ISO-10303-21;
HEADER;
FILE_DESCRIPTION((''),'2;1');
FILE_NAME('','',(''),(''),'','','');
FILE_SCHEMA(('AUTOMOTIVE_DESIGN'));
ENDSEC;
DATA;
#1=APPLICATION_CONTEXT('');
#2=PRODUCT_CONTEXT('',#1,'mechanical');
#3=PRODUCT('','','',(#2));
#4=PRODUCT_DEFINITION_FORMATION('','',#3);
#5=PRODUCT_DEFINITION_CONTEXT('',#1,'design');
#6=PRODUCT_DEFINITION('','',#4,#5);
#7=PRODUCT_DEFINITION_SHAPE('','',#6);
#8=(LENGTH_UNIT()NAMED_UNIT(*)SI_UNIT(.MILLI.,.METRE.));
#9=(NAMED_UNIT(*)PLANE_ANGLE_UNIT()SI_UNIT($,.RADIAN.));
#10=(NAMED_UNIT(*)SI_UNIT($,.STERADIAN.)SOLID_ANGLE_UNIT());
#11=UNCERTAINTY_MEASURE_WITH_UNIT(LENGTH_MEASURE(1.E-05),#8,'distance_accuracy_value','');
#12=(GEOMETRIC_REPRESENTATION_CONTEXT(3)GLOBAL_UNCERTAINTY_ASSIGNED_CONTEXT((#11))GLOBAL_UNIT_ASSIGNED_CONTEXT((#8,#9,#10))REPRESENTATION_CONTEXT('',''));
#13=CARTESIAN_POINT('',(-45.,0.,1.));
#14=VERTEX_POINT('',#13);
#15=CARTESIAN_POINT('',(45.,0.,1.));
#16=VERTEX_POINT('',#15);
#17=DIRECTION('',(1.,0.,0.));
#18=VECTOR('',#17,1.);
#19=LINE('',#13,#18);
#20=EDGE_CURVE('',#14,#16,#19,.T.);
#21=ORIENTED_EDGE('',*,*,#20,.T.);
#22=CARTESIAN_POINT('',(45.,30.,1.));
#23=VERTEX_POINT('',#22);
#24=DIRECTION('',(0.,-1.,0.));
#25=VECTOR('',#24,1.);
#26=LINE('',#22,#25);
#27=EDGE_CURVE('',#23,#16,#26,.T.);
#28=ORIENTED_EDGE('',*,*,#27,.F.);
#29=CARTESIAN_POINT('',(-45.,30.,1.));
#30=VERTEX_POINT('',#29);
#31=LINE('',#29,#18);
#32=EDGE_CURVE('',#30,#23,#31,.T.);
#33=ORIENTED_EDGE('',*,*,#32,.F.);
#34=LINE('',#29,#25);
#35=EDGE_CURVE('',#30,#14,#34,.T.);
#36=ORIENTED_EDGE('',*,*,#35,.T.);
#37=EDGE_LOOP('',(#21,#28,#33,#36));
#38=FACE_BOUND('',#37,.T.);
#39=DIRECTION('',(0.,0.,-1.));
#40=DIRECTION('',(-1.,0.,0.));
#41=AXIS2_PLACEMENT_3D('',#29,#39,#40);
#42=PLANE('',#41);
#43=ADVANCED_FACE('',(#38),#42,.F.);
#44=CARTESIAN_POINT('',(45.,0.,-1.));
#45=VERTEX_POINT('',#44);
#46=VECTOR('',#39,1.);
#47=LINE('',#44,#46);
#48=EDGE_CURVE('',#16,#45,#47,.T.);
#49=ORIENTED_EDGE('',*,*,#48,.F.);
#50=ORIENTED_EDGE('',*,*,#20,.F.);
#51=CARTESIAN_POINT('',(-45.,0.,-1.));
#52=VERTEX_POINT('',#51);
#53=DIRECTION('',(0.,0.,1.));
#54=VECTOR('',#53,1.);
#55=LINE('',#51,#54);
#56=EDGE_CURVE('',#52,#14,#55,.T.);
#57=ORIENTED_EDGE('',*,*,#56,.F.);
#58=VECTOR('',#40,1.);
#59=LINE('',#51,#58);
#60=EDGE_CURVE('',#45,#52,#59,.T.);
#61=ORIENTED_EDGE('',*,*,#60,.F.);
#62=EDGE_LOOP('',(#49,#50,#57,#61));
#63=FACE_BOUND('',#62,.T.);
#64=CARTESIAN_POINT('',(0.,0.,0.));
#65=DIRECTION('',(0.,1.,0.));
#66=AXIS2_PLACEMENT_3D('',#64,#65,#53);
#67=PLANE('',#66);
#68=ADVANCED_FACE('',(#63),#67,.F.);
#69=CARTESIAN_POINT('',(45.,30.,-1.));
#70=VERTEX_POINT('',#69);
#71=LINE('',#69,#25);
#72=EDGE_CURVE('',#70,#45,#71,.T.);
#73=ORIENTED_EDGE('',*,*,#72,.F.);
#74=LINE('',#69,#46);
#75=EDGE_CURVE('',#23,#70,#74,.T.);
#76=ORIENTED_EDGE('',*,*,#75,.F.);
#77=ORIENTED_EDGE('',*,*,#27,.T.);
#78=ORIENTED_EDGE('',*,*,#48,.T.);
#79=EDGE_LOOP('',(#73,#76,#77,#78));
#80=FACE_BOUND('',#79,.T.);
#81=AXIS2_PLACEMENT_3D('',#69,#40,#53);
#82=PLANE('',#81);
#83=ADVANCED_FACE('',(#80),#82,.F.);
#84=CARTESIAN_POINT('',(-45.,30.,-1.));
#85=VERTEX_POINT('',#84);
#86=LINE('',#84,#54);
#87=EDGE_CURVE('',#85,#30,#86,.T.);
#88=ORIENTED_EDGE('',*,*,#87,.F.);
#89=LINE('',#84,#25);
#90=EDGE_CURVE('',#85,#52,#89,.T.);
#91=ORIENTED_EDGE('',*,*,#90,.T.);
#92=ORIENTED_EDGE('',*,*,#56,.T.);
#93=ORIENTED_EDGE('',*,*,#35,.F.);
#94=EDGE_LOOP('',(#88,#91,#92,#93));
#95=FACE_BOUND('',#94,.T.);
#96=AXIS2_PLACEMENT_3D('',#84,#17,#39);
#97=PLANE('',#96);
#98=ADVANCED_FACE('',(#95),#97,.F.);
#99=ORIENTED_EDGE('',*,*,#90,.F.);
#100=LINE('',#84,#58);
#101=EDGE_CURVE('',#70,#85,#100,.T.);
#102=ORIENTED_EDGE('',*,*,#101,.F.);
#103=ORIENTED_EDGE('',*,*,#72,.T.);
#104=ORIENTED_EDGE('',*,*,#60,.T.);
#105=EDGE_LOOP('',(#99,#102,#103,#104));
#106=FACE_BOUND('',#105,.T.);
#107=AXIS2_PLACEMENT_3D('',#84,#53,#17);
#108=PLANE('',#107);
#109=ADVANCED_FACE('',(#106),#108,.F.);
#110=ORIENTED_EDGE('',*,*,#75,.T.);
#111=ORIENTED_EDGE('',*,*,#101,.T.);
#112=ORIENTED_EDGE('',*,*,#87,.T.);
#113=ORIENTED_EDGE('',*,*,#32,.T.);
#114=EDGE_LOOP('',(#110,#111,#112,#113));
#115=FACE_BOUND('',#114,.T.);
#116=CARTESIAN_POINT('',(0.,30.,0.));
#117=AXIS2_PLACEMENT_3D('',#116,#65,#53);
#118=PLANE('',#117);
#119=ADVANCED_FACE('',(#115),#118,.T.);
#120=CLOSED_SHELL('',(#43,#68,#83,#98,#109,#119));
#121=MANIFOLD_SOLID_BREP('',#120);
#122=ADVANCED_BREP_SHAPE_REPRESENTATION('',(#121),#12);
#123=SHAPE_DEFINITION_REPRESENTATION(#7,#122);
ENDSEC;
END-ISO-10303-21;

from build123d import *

# Parameters (mm, degrees)
SKETCH_1_W      = 90
SKETCH_1_H      = 2
EXTRUDE_1_DEPTH = 30


with BuildPart() as part:
    # Эскиз1 → Бобышка-Вытянуть1 (new body)
    with BuildSketch(Plane(origin=(0, 0, 0), x_dir=(1, 0, 0), z_dir=(0, 1, 0))):
        Rectangle(SKETCH_1_W, SKETCH_1_H)
    extrude(amount=EXTRUDE_1_DEPTH)


solid = part.part
